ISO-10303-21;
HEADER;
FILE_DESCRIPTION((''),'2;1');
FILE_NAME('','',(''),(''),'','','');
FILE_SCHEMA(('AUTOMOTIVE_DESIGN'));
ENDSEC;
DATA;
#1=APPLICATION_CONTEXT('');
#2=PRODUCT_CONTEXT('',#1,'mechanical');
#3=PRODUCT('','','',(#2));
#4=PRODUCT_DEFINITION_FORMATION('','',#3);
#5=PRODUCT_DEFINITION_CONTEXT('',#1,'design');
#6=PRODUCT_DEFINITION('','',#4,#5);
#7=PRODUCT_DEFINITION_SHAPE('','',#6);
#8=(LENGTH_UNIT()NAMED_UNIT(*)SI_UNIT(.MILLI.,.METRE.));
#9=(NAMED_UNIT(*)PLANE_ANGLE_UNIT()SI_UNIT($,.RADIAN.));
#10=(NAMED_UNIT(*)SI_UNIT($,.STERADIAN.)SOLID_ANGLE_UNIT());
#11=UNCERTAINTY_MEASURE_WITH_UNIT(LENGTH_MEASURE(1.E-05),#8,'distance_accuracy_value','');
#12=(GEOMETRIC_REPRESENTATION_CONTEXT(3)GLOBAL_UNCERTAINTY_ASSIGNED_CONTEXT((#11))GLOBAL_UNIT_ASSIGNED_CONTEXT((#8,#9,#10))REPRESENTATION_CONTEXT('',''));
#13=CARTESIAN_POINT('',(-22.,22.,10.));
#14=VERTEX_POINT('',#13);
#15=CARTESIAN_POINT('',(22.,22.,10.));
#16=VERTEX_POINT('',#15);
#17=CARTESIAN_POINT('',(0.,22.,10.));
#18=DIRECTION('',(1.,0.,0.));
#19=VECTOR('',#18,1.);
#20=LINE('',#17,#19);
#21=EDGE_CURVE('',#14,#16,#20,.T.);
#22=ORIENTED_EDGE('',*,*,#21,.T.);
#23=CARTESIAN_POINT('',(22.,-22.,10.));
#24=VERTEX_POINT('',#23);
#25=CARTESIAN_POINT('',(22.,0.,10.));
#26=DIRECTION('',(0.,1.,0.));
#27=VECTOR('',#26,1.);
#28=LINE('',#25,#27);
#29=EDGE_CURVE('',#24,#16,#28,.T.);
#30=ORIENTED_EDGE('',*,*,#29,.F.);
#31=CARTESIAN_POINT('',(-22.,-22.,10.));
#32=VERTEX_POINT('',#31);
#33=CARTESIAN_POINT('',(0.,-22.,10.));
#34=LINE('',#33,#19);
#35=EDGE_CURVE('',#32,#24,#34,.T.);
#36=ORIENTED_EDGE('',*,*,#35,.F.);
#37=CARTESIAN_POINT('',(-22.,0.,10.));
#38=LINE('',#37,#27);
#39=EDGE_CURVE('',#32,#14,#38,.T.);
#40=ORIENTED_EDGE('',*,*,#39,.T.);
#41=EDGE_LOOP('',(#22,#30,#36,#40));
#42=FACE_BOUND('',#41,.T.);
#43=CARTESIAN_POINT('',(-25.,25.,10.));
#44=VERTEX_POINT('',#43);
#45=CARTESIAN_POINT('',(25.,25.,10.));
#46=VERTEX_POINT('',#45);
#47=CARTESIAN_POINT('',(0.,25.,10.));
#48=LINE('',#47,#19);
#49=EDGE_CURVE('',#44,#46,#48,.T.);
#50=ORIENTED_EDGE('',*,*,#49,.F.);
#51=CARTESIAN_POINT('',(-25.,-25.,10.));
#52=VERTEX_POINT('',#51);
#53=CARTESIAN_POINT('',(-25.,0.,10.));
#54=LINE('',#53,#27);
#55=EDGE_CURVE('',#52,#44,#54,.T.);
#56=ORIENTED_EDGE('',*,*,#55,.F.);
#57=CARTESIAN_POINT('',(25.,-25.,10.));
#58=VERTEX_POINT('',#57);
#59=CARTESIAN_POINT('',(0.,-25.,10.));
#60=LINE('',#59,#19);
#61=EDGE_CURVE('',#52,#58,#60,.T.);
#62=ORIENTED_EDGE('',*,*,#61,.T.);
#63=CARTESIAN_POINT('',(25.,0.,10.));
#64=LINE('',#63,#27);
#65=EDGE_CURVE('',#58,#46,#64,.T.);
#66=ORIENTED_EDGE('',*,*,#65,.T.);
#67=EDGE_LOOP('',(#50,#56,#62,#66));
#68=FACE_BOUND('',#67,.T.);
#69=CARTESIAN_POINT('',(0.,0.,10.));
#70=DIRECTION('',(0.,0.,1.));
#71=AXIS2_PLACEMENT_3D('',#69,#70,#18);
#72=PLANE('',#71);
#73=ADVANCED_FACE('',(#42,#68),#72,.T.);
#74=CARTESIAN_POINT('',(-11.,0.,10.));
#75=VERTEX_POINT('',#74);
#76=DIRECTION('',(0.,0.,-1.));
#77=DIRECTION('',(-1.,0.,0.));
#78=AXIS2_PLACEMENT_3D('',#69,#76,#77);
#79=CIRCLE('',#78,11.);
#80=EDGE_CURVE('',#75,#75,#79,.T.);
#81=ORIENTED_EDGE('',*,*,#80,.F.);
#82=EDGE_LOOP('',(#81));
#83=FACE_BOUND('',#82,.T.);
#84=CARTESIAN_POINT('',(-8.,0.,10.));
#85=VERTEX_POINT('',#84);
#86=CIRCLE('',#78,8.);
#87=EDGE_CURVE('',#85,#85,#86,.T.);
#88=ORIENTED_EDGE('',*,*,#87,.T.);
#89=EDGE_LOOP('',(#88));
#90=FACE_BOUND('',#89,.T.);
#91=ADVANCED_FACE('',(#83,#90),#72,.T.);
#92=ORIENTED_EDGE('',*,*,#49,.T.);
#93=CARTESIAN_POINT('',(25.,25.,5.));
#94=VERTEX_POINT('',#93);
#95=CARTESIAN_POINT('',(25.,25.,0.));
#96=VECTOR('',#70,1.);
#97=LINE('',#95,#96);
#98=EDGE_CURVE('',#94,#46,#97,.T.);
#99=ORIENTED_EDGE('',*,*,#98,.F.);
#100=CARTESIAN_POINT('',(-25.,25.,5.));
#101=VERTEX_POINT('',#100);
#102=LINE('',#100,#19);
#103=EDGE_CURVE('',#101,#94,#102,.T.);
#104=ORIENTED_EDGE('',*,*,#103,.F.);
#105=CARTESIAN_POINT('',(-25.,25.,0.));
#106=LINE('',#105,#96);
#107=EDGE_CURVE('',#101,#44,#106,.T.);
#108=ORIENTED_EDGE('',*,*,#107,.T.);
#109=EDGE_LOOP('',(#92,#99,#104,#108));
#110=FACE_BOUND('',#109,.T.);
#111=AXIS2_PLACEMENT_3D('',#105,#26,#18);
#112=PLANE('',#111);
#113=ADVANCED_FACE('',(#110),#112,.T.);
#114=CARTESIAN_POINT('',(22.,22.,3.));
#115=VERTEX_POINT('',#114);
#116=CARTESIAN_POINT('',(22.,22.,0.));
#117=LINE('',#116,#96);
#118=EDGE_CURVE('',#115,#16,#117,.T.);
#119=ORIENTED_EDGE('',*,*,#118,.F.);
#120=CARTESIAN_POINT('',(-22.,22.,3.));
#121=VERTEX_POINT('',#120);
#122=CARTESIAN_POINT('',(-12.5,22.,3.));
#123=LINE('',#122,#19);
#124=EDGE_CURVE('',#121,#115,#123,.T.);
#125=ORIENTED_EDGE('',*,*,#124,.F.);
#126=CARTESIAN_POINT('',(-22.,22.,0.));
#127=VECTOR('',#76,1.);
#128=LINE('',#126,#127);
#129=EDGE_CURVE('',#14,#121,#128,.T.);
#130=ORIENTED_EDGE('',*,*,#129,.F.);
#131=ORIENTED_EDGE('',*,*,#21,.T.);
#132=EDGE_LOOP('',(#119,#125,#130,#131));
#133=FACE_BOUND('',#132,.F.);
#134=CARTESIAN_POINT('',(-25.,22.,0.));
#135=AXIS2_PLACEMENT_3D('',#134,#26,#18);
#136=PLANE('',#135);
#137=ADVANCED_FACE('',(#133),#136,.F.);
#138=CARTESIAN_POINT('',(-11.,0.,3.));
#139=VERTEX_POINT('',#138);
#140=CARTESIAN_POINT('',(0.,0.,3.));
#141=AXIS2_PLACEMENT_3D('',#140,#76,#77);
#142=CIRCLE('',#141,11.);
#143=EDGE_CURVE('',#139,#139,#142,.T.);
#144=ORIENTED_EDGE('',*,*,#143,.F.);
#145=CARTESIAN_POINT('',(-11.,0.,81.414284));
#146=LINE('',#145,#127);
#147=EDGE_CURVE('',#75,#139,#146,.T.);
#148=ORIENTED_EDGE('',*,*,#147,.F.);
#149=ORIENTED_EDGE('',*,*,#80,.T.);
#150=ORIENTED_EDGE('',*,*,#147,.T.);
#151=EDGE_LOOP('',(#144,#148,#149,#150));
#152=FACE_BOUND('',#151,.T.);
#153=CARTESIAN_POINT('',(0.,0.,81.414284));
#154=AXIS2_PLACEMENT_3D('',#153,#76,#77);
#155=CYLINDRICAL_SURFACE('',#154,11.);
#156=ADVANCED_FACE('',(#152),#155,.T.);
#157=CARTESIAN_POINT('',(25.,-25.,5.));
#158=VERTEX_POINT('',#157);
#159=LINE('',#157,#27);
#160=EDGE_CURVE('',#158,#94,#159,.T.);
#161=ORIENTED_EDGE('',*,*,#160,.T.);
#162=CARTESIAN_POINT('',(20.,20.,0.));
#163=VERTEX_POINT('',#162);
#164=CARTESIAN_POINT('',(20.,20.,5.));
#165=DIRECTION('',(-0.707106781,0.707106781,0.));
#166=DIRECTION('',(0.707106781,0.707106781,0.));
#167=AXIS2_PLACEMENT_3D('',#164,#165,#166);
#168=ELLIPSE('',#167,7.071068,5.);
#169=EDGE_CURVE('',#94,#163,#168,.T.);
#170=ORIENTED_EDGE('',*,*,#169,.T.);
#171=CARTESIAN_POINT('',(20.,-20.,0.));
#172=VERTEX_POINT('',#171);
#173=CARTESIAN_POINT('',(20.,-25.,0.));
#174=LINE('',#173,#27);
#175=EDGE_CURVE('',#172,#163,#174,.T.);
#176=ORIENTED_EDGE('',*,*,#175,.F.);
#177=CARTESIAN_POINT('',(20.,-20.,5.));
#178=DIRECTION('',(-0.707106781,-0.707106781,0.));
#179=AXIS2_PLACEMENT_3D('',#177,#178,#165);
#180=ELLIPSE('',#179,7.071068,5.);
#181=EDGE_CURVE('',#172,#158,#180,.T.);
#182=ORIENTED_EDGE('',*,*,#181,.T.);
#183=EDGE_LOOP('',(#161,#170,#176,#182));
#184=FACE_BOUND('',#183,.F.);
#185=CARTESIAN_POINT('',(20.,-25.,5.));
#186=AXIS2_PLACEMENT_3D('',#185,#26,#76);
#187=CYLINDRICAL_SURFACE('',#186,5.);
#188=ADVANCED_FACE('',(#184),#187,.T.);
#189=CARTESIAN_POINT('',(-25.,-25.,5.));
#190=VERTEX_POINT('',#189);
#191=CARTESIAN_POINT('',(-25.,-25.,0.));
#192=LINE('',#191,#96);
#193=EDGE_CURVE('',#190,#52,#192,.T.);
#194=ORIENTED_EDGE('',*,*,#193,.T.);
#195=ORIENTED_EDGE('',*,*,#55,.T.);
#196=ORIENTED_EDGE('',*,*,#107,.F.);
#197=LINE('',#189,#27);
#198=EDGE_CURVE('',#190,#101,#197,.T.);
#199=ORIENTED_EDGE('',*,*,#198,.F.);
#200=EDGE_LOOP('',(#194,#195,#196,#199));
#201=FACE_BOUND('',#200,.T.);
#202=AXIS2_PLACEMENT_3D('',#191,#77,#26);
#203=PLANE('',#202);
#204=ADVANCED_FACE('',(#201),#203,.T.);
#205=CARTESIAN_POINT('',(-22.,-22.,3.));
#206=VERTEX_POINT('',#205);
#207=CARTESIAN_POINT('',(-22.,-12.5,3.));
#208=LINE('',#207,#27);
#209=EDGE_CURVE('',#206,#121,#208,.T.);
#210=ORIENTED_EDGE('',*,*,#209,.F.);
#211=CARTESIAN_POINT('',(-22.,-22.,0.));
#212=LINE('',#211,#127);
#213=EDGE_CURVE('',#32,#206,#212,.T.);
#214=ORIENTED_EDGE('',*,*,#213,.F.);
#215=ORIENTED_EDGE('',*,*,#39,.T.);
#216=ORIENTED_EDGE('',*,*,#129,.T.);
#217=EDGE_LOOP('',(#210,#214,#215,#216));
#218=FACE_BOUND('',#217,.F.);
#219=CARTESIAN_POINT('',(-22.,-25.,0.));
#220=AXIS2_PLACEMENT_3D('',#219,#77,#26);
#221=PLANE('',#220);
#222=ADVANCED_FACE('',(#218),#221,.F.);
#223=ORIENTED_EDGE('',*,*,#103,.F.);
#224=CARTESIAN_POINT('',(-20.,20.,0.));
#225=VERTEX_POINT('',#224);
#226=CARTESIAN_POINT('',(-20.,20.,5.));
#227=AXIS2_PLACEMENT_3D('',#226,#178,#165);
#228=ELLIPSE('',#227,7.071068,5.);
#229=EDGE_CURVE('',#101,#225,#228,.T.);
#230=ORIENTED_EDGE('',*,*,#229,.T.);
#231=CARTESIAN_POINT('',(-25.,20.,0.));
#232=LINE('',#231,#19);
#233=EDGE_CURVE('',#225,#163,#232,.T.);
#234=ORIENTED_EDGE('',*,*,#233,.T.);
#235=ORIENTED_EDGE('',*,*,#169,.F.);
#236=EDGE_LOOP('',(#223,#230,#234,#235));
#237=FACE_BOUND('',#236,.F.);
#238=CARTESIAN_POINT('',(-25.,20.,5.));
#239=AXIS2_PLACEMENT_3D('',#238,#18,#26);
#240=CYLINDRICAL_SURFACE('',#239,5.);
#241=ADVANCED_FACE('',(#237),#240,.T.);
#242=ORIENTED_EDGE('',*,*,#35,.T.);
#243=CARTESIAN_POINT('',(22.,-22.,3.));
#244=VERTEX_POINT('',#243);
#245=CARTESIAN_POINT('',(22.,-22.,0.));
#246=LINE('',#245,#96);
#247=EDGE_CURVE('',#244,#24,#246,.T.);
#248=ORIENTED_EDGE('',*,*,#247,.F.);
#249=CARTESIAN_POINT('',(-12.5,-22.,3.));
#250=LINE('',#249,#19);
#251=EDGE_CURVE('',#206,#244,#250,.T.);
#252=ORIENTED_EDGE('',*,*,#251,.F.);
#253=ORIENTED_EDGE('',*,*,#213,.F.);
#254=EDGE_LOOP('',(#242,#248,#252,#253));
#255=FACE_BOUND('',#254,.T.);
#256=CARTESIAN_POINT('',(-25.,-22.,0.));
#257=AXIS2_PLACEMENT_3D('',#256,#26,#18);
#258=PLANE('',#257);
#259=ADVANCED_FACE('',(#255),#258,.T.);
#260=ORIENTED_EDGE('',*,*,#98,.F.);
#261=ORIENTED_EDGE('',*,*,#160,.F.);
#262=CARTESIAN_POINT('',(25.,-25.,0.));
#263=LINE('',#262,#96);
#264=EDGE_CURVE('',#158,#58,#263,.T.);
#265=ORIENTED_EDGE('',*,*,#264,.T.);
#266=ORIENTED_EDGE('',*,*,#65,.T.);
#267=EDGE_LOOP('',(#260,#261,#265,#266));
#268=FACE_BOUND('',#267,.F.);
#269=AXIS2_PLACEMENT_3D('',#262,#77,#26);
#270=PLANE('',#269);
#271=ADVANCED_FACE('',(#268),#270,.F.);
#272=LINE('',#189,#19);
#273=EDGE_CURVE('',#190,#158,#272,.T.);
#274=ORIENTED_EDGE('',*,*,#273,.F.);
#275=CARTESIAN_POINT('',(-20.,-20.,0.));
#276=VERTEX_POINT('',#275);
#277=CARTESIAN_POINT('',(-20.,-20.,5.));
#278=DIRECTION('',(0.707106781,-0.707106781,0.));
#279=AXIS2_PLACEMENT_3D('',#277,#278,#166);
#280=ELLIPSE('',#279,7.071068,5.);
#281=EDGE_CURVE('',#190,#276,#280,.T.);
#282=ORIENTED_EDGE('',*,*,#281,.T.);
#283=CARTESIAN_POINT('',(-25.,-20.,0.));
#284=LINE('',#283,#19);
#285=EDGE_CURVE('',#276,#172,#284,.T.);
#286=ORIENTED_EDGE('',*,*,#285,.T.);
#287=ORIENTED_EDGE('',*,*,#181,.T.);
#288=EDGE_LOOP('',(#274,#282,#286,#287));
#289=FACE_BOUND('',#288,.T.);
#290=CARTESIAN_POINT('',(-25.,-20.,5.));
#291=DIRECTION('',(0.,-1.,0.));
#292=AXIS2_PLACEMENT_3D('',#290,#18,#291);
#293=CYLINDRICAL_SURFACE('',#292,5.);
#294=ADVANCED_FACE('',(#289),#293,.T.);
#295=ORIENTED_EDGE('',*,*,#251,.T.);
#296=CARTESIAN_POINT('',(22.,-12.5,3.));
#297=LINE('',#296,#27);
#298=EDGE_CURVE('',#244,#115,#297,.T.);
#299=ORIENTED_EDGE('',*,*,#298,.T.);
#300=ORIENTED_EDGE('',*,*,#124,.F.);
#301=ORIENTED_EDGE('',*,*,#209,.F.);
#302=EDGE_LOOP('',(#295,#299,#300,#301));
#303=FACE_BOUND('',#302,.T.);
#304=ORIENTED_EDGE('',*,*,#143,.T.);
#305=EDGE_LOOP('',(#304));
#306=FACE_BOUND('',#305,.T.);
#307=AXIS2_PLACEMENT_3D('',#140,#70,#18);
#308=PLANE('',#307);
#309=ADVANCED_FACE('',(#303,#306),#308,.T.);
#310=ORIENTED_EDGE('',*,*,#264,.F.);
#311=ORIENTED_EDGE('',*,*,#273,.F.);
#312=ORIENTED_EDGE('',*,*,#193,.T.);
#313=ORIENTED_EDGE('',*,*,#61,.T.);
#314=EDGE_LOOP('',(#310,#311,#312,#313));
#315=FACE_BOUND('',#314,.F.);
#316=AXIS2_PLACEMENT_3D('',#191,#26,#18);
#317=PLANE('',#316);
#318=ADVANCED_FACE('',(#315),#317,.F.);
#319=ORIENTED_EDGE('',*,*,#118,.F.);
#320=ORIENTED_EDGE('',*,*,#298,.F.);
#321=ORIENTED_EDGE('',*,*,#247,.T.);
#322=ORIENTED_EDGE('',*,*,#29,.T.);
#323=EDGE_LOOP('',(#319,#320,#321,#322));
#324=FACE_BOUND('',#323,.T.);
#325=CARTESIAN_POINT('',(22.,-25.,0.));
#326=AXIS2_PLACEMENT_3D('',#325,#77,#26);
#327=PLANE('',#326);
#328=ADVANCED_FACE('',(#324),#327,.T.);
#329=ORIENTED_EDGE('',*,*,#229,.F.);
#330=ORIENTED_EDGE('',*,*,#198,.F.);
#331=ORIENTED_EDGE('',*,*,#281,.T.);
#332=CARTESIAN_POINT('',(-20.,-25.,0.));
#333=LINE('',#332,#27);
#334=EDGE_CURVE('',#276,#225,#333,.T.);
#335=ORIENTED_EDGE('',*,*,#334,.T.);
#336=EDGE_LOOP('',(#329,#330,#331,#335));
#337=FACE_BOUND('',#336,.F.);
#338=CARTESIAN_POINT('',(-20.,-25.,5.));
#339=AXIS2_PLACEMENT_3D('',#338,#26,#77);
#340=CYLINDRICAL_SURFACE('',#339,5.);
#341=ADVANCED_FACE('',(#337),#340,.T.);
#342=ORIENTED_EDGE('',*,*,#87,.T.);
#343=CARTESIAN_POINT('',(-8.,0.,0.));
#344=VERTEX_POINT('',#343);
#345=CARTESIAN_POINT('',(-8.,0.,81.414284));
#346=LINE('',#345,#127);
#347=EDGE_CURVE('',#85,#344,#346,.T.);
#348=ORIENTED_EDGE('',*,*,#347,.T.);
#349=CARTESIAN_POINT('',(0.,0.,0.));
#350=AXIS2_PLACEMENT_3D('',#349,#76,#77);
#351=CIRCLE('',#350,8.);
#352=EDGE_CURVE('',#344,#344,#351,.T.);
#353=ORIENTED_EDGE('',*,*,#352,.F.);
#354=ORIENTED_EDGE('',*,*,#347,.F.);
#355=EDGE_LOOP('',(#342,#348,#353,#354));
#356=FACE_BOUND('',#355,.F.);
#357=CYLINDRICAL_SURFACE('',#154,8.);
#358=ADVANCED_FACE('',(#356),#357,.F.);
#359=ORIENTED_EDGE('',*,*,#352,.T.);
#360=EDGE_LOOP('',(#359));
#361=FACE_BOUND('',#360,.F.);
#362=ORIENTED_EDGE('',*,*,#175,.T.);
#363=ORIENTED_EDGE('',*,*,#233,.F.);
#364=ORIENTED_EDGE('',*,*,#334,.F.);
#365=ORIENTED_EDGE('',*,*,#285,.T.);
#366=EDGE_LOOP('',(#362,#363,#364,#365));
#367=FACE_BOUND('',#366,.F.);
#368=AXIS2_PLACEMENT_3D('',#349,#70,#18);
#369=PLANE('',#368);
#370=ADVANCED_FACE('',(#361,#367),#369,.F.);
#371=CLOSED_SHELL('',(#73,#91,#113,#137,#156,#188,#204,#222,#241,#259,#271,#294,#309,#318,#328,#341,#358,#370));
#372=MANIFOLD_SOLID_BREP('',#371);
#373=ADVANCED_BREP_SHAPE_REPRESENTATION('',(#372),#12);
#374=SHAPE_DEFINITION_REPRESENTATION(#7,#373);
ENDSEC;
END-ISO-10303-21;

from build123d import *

# Parameters (mm, degrees)
F0_W     = 50
F0_H     = 50
F1_DEPTH = 10
F4_D     = 16
F5_T     = -3
F6_R     = 5


with BuildPart() as f1:
    # F0 (on Top) → F1 (new body)
    with BuildSketch(Plane.XY):
        Rectangle(F0_W, F0_H)
    extrude(amount=F1_DEPTH)

    # F4 (through all)
    with Locations(Plane.XY.offset(10)):
        with Locations((0, 0)):
            Hole(F4_D / 2)

    # F5
    f5_openings = [f1.faces().sort_by_distance(p)[0] for p in [
        (24.292893, 0, 10),
    ]]
    offset(amount=F5_T, openings=f5_openings)

    # F6
    f6_edges = [f1.edges().sort_by_distance(p)[0] for p in [
        (-25, 0, 0),
        (0, 25, 0),
        (25, 0, 0),
        (0, -25, 0),
    ]]
    fillet(f6_edges, radius=F6_R)


solid = f1.part
